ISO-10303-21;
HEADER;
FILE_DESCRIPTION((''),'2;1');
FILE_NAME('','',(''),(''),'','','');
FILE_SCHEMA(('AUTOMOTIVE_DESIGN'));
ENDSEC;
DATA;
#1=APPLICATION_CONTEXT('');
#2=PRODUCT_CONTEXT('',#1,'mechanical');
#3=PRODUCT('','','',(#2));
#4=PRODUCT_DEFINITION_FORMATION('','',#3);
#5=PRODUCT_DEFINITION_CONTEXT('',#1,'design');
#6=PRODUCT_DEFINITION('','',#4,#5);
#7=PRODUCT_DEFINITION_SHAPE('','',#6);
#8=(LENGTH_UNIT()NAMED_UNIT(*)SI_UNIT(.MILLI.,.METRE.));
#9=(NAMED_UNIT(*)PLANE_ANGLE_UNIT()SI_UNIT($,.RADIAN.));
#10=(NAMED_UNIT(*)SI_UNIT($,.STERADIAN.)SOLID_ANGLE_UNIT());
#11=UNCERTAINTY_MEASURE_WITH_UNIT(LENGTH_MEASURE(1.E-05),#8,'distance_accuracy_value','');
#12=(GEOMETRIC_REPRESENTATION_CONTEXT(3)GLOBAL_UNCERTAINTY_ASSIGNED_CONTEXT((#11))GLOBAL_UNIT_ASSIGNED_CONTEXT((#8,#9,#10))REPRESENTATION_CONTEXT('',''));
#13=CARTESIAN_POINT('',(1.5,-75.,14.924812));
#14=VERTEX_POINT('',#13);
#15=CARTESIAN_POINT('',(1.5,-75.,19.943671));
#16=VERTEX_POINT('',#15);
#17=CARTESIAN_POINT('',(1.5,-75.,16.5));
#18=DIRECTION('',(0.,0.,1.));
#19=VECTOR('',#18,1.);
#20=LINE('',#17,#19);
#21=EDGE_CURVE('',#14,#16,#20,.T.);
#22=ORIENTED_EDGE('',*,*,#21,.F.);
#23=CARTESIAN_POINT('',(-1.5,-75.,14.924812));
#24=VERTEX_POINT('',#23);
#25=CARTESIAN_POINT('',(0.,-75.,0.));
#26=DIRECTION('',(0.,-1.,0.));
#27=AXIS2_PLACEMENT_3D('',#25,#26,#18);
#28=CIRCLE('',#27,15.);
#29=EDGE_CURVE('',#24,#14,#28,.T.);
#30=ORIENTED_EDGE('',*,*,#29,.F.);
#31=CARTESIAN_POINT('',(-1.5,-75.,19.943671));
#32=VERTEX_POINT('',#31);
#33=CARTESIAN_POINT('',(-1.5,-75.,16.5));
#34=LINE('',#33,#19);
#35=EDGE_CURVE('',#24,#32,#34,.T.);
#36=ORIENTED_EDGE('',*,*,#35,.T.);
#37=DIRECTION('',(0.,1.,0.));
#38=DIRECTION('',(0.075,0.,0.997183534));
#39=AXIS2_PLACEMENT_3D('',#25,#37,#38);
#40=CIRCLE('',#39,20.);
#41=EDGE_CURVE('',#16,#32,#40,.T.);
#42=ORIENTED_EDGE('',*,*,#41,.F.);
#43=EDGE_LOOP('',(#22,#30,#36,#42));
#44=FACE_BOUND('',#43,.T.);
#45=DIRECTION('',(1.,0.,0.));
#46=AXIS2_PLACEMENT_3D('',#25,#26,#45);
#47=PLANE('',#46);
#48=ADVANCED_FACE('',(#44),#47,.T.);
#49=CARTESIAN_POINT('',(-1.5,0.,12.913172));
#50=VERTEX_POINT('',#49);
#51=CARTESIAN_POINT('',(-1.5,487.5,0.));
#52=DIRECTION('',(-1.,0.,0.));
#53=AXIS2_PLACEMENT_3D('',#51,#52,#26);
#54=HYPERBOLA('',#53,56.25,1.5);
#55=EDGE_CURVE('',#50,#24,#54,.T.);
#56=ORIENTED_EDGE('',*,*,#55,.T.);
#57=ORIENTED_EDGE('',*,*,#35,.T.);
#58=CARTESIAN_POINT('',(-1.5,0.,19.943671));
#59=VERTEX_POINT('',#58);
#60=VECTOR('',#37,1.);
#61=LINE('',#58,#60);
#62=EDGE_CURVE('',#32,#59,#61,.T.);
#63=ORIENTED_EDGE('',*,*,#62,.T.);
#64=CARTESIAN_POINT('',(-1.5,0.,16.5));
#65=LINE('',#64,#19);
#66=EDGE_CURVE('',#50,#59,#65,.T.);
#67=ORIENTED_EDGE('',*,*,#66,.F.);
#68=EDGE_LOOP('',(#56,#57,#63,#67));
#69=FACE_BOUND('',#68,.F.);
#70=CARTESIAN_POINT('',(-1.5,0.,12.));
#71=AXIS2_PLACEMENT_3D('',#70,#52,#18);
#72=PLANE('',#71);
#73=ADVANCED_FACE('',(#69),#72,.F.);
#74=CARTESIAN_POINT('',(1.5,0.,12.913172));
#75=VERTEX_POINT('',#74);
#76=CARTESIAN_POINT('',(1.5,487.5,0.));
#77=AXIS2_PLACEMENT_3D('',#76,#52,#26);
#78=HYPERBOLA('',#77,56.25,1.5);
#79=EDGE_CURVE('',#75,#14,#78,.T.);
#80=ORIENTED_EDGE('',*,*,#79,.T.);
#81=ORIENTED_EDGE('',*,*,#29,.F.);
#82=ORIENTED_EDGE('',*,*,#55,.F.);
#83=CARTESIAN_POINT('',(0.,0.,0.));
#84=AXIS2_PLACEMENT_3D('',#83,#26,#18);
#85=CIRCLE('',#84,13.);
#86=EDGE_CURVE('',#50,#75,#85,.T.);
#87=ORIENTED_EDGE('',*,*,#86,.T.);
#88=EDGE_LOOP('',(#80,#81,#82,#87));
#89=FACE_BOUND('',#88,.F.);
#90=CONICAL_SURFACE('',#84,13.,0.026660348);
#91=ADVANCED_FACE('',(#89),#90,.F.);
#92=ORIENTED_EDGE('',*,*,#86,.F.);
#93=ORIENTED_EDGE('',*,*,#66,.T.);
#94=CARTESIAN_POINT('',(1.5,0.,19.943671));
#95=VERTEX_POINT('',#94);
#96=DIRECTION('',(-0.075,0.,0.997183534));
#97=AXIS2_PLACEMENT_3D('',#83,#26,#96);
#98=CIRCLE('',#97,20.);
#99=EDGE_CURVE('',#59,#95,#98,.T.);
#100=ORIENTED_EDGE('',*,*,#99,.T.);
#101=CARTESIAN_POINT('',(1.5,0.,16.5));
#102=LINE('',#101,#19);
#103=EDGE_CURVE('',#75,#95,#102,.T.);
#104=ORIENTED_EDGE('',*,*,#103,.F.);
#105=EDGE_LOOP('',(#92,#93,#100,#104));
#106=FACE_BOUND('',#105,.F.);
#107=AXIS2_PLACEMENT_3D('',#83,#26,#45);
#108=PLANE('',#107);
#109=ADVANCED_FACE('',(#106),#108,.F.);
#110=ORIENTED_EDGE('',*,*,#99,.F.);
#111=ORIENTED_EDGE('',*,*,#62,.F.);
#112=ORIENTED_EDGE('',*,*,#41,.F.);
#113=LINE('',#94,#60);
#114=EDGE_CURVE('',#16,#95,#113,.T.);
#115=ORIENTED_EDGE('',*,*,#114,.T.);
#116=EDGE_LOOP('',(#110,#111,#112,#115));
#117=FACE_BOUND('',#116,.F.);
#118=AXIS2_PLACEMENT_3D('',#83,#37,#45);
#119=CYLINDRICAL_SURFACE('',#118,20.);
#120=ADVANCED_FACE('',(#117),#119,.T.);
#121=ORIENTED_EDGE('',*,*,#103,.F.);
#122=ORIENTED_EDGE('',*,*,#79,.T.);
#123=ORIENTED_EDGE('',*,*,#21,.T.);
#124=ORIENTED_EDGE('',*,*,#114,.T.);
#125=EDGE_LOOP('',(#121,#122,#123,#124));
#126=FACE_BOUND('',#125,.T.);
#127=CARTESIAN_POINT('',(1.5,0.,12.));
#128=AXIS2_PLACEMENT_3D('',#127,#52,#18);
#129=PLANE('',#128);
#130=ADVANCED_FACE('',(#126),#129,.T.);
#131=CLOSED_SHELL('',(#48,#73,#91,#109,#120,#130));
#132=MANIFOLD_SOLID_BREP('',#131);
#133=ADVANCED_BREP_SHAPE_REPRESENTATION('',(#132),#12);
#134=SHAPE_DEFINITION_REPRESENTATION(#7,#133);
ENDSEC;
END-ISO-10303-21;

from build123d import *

# Parameters (mm, degrees)
F0_R     = 20
F0_R_2   = 13
F1_DEPTH = 75
F4_W     = 3
F4_H     = 9
F5_DEPTH = 75


with BuildPart() as f1:
    # F0 (on Front) → F1 (new body)
    with BuildSketch(Plane.XZ):
        Circle(F0_R)
        Circle(F0_R_2, mode=Mode.SUBTRACT)
    extrude(amount=F1_DEPTH)

    # F2 (on Right) → F3 (revolve, cut)
    with BuildSketch(Plane.YZ):
        Polygon((0, 13), (-75, 15), (-75, 13), align=None)
    revolve(axis=Axis((0, 0, 0), (0, -1, 0)), mode=Mode.SUBTRACT)

    # F4 (on face) → F5 (cut)
    with BuildSketch(Plane(origin=(0, 0, 0), x_dir=(-1, 0, 0), z_dir=(0, 1, 0))):
        with Locations((0, 16.5)):
            Rectangle(F4_W, F4_H)
    extrude(amount=-F5_DEPTH, mode=Mode.SUBTRACT)


solid = f1.part
